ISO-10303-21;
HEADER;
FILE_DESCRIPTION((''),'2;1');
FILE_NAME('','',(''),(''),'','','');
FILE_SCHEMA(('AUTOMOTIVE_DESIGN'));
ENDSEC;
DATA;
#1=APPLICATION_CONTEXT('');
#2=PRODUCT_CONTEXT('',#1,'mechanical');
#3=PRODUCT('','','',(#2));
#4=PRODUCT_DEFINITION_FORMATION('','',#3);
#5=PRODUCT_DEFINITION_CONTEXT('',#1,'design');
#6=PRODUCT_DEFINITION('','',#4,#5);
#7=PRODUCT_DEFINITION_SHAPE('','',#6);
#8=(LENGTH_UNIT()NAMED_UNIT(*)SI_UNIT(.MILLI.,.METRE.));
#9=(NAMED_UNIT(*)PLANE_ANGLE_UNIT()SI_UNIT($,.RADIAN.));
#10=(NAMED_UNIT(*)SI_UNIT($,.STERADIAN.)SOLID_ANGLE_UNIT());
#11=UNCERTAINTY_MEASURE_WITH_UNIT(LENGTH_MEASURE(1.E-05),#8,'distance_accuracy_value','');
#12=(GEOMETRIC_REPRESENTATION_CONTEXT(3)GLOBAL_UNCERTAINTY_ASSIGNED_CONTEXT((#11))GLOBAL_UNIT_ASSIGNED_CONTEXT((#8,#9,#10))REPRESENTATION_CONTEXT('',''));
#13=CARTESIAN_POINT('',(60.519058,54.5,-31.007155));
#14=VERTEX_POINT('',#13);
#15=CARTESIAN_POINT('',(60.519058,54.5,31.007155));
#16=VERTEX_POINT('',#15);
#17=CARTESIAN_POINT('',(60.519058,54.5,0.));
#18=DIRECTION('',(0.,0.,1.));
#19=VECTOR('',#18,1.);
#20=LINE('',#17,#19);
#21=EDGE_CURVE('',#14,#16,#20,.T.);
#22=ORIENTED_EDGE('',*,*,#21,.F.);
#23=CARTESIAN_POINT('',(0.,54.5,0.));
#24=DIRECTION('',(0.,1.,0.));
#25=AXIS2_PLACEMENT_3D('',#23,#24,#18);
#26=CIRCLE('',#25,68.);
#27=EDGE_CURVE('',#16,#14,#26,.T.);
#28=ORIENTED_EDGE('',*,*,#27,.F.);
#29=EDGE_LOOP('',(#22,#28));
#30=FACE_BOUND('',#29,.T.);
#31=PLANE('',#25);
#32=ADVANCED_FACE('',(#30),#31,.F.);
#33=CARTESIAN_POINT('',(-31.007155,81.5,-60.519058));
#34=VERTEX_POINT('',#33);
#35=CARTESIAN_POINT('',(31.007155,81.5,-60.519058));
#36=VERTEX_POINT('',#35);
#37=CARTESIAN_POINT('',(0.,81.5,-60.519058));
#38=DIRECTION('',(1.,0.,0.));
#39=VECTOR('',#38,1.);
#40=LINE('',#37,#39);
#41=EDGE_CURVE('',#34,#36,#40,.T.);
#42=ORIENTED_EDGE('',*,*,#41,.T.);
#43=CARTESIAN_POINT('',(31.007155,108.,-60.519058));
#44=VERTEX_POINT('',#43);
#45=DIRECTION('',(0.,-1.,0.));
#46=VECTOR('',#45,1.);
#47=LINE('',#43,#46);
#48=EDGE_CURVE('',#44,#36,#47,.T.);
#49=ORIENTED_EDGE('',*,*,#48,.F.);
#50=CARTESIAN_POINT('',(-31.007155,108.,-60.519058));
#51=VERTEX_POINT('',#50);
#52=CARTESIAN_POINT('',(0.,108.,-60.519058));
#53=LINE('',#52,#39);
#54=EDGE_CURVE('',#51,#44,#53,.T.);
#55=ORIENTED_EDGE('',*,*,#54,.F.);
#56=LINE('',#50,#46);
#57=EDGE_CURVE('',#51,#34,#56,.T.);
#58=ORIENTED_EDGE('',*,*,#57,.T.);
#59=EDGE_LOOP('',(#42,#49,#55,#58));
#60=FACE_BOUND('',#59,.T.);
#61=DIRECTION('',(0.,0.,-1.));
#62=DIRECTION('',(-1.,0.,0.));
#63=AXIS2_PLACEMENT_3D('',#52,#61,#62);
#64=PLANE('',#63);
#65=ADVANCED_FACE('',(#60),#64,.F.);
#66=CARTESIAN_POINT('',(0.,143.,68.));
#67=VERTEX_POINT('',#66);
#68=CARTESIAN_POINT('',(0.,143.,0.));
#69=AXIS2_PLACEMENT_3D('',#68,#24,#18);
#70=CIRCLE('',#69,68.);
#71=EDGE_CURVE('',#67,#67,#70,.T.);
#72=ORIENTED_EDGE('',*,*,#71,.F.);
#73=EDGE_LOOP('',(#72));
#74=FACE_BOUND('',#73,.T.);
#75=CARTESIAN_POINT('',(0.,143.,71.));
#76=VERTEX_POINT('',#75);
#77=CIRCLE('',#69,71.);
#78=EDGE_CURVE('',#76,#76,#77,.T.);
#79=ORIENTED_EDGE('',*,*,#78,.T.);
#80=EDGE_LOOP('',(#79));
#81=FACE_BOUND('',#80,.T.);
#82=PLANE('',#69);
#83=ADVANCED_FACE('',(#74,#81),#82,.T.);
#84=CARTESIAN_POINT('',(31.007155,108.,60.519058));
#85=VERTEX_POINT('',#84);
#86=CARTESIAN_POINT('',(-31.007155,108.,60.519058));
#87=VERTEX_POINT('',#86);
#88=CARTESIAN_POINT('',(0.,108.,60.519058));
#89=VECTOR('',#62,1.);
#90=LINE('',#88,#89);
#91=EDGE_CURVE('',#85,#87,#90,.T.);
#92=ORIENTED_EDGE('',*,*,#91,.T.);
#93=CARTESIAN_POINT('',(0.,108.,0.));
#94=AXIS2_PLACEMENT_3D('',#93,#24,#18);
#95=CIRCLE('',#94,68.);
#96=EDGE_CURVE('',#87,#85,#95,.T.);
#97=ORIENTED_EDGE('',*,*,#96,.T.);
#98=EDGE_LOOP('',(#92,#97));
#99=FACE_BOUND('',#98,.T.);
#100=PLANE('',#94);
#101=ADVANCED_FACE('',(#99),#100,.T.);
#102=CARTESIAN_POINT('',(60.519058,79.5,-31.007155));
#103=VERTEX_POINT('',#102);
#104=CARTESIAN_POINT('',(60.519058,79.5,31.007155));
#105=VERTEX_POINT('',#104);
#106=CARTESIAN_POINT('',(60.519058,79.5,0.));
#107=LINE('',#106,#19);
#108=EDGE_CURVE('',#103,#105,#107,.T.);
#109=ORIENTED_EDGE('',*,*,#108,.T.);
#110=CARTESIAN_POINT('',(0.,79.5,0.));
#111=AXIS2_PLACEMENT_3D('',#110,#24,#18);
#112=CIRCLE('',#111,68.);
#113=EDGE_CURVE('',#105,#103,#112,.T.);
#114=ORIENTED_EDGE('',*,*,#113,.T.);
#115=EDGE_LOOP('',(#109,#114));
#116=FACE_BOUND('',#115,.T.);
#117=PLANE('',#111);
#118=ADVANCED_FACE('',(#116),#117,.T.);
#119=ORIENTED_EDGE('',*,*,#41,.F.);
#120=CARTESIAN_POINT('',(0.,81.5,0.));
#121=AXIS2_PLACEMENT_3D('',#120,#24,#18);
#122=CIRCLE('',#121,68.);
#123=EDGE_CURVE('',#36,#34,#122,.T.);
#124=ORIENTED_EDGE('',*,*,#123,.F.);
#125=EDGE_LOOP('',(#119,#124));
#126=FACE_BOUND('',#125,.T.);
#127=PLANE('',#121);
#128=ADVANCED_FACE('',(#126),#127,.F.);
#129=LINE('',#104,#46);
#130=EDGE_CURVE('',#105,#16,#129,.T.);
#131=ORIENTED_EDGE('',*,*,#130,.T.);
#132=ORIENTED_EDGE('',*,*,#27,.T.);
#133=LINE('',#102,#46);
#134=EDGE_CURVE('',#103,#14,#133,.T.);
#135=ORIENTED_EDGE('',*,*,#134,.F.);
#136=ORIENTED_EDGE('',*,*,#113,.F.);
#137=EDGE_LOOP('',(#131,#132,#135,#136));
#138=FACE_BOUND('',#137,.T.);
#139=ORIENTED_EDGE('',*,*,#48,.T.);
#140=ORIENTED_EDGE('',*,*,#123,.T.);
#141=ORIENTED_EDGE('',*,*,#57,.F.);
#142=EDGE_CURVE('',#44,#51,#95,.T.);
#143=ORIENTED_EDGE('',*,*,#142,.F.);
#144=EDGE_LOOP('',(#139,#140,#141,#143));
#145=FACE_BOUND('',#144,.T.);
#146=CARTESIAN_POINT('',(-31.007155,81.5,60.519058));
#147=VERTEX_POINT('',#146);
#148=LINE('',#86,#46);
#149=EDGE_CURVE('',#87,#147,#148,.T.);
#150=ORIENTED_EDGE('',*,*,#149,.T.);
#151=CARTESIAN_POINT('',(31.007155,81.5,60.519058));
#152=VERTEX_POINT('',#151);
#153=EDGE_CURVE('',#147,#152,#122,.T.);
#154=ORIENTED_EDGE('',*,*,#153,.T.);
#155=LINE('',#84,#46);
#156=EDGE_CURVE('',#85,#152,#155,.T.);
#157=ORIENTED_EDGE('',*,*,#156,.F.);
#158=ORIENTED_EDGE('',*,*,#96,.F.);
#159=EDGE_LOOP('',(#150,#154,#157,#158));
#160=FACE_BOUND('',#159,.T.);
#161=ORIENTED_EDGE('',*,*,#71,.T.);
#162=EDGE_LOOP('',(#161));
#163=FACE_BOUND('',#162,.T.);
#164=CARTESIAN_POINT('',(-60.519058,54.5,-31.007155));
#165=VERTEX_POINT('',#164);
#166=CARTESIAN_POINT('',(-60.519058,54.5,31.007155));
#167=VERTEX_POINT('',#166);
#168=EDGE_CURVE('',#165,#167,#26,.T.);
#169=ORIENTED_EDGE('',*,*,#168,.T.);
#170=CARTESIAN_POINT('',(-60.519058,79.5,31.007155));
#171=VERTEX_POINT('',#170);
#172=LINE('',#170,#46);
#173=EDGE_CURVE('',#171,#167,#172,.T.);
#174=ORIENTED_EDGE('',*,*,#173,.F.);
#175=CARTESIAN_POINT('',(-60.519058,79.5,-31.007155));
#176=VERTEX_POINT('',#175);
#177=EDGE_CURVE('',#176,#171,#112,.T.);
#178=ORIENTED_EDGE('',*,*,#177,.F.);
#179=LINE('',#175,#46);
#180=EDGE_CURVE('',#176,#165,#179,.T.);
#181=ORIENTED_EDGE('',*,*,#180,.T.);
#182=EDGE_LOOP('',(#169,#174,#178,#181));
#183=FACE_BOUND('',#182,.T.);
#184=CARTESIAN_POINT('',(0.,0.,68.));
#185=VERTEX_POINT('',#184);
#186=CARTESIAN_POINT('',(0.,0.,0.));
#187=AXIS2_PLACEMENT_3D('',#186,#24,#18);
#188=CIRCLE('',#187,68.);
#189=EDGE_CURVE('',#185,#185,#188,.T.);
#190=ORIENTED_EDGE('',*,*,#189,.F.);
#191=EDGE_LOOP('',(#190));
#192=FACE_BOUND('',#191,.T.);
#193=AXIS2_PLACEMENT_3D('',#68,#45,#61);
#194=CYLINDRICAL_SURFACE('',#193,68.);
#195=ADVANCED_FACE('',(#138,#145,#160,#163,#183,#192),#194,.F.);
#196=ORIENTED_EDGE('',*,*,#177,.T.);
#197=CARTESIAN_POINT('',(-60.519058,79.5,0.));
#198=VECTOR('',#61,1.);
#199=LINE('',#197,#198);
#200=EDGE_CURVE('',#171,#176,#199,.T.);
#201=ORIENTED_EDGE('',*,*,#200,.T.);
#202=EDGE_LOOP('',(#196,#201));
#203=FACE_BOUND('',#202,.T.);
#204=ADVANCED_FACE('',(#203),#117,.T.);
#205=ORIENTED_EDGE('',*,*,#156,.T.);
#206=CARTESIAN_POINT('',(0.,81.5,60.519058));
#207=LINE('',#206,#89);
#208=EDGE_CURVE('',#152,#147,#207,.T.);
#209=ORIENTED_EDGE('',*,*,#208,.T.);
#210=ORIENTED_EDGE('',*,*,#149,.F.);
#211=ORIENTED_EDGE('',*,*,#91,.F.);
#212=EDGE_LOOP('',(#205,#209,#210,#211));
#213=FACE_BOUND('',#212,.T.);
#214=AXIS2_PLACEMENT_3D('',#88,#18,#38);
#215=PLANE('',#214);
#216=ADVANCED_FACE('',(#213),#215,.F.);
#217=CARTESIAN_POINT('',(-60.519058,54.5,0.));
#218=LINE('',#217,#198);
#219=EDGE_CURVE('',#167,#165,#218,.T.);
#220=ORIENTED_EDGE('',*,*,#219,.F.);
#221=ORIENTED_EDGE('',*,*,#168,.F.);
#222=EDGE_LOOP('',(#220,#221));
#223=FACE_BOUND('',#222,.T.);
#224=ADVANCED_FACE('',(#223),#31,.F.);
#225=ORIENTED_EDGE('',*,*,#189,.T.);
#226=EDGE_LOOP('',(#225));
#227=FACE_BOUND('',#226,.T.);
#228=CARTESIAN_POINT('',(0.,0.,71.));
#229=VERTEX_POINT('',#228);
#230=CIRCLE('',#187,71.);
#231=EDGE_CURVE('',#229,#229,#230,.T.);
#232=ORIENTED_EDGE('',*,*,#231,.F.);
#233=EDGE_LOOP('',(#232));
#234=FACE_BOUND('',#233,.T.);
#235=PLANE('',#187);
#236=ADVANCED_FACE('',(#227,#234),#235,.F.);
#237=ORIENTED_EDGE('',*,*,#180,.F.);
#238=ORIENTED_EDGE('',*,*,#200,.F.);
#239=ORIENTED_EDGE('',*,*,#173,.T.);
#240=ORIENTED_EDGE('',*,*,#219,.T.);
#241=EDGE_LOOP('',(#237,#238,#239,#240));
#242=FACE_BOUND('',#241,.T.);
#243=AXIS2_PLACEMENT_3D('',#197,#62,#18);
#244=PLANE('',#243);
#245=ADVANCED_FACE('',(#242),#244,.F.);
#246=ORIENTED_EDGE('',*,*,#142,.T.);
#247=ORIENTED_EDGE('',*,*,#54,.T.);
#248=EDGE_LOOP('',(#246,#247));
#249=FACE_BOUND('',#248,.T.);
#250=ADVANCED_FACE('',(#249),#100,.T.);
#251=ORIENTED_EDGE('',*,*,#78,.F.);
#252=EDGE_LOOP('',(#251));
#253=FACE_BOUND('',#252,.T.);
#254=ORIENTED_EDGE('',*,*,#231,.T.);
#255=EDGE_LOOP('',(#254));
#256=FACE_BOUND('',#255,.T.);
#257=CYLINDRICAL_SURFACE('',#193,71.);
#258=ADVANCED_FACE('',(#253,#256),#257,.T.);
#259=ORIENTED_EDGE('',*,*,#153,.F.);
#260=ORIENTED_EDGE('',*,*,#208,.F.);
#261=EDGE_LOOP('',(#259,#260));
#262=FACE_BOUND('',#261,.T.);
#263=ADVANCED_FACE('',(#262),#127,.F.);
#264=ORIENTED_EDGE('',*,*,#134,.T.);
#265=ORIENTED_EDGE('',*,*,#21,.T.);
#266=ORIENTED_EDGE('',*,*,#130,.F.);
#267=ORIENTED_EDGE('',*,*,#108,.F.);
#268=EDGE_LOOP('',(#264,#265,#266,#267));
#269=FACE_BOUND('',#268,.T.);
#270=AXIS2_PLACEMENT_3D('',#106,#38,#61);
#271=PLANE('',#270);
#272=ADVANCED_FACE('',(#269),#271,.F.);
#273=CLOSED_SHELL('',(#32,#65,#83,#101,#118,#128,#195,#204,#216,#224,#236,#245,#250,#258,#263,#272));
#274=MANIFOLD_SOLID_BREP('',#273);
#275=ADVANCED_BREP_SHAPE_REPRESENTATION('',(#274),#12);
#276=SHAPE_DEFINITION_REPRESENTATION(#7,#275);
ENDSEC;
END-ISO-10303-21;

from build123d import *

# Parameters (mm, degrees)
SKETCH_1_R      = 71
SKETCH_1_R_2    = 68
EXTRUDE_1_DEPTH = 143
EXTRUDE_START   = 54.5
EXTRUDE_8_DEPTH = 25
EXTRUDE_START_2 = 81.5
EXTRUDE_9_DEPTH = 26.5


with BuildPart() as part:
    # 草圖1 → 填料-伸長1 (new body)
    with BuildSketch(Plane(origin=(0, 0, 0), x_dir=(1, 0, 0), z_dir=(0, 1, 0))):
        with Locations(Location((0, 0, 0), (0, 0, 270))):
            Circle(SKETCH_1_R)
        with Locations(Location((0, 0, 0), (0, 0, 270))):
            Circle(SKETCH_1_R_2, mode=Mode.SUBTRACT)
    extrude(amount=EXTRUDE_1_DEPTH)

    # 草圖5 → 填料-伸長8 (add)
    with BuildSketch(Plane(origin=(0, 0, 0), x_dir=(1, 0, 0), z_dir=(0, 1, 0)).offset(EXTRUDE_START)):
        with BuildLine():
            Line((-60.519057708, -31.007154887), (-60.519057708, -11))
            Line((-60.519057708, -11), (-60.519057708, -8.25))
            Line((-60.519057708, -8.25), (-60.519057708, 8.25))
            Line((-60.519057708, 8.25), (-60.519057708, 11))
            Line((-60.519057708, 11), (-60.519057708, 31.007154887))
            ThreePointArc((-60.519057708, 31.007154887), (-68, 0), (-60.519057708, -31.007154887))
        make_face()
        with BuildLine():
            Line((60.519057708, -11), (60.519057708, -31.007154887))
            ThreePointArc((60.519057708, -31.007154887), (66.103312792, -15.948418039), (68, 0))
            ThreePointArc((68, 0), (66.103312792, 15.948418039), (60.519057708, 31.007154887))
            Line((60.519057708, 31.007154887), (60.519057708, 11))
            Line((60.519057708, 11), (60.519057708, 8.25))
            Line((60.519057708, 8.25), (60.519057708, -8.25))
            Line((60.519057708, -8.25), (60.519057708, -11))
        make_face()
    extrude(amount=EXTRUDE_8_DEPTH)

    # 草圖5<10> → 填料-伸長9 (add)
    with BuildSketch(Plane(origin=(0, 0, 0), x_dir=(1, 0, 0), z_dir=(0, 1, 0)).offset(EXTRUDE_START_2)):
        with BuildLine():
            Line((-11, -60.519057708), (-31.007154887, -60.519057708))
            ThreePointArc((-31.007154887, -60.519057708), (0, -68), (31.007154887, -60.519057708))
            Line((31.007154887, -60.519057708), (11, -60.519057708))
            Line((11, -60.519057708), (8.25, -60.519057708))
            Line((8.25, -60.519057708), (-8.25, -60.519057708))
            Line((-8.25, -60.519057708), (-11, -60.519057708))
        make_face()
        with BuildLine():
            ThreePointArc((31.007154887, 60.519057708), (0, 68), (-31.007154887, 60.519057708))
            Line((-31.007154887, 60.519057708), (-11, 60.519057708))
            Line((-11, 60.519057708), (-8.25, 60.519057708))
            Line((-8.25, 60.519057708), (8.25, 60.519057708))
            Line((8.25, 60.519057708), (11, 60.519057708))
            Line((11, 60.519057708), (31.007154887, 60.519057708))
        make_face()
    extrude(amount=EXTRUDE_9_DEPTH)


solid = part.part
